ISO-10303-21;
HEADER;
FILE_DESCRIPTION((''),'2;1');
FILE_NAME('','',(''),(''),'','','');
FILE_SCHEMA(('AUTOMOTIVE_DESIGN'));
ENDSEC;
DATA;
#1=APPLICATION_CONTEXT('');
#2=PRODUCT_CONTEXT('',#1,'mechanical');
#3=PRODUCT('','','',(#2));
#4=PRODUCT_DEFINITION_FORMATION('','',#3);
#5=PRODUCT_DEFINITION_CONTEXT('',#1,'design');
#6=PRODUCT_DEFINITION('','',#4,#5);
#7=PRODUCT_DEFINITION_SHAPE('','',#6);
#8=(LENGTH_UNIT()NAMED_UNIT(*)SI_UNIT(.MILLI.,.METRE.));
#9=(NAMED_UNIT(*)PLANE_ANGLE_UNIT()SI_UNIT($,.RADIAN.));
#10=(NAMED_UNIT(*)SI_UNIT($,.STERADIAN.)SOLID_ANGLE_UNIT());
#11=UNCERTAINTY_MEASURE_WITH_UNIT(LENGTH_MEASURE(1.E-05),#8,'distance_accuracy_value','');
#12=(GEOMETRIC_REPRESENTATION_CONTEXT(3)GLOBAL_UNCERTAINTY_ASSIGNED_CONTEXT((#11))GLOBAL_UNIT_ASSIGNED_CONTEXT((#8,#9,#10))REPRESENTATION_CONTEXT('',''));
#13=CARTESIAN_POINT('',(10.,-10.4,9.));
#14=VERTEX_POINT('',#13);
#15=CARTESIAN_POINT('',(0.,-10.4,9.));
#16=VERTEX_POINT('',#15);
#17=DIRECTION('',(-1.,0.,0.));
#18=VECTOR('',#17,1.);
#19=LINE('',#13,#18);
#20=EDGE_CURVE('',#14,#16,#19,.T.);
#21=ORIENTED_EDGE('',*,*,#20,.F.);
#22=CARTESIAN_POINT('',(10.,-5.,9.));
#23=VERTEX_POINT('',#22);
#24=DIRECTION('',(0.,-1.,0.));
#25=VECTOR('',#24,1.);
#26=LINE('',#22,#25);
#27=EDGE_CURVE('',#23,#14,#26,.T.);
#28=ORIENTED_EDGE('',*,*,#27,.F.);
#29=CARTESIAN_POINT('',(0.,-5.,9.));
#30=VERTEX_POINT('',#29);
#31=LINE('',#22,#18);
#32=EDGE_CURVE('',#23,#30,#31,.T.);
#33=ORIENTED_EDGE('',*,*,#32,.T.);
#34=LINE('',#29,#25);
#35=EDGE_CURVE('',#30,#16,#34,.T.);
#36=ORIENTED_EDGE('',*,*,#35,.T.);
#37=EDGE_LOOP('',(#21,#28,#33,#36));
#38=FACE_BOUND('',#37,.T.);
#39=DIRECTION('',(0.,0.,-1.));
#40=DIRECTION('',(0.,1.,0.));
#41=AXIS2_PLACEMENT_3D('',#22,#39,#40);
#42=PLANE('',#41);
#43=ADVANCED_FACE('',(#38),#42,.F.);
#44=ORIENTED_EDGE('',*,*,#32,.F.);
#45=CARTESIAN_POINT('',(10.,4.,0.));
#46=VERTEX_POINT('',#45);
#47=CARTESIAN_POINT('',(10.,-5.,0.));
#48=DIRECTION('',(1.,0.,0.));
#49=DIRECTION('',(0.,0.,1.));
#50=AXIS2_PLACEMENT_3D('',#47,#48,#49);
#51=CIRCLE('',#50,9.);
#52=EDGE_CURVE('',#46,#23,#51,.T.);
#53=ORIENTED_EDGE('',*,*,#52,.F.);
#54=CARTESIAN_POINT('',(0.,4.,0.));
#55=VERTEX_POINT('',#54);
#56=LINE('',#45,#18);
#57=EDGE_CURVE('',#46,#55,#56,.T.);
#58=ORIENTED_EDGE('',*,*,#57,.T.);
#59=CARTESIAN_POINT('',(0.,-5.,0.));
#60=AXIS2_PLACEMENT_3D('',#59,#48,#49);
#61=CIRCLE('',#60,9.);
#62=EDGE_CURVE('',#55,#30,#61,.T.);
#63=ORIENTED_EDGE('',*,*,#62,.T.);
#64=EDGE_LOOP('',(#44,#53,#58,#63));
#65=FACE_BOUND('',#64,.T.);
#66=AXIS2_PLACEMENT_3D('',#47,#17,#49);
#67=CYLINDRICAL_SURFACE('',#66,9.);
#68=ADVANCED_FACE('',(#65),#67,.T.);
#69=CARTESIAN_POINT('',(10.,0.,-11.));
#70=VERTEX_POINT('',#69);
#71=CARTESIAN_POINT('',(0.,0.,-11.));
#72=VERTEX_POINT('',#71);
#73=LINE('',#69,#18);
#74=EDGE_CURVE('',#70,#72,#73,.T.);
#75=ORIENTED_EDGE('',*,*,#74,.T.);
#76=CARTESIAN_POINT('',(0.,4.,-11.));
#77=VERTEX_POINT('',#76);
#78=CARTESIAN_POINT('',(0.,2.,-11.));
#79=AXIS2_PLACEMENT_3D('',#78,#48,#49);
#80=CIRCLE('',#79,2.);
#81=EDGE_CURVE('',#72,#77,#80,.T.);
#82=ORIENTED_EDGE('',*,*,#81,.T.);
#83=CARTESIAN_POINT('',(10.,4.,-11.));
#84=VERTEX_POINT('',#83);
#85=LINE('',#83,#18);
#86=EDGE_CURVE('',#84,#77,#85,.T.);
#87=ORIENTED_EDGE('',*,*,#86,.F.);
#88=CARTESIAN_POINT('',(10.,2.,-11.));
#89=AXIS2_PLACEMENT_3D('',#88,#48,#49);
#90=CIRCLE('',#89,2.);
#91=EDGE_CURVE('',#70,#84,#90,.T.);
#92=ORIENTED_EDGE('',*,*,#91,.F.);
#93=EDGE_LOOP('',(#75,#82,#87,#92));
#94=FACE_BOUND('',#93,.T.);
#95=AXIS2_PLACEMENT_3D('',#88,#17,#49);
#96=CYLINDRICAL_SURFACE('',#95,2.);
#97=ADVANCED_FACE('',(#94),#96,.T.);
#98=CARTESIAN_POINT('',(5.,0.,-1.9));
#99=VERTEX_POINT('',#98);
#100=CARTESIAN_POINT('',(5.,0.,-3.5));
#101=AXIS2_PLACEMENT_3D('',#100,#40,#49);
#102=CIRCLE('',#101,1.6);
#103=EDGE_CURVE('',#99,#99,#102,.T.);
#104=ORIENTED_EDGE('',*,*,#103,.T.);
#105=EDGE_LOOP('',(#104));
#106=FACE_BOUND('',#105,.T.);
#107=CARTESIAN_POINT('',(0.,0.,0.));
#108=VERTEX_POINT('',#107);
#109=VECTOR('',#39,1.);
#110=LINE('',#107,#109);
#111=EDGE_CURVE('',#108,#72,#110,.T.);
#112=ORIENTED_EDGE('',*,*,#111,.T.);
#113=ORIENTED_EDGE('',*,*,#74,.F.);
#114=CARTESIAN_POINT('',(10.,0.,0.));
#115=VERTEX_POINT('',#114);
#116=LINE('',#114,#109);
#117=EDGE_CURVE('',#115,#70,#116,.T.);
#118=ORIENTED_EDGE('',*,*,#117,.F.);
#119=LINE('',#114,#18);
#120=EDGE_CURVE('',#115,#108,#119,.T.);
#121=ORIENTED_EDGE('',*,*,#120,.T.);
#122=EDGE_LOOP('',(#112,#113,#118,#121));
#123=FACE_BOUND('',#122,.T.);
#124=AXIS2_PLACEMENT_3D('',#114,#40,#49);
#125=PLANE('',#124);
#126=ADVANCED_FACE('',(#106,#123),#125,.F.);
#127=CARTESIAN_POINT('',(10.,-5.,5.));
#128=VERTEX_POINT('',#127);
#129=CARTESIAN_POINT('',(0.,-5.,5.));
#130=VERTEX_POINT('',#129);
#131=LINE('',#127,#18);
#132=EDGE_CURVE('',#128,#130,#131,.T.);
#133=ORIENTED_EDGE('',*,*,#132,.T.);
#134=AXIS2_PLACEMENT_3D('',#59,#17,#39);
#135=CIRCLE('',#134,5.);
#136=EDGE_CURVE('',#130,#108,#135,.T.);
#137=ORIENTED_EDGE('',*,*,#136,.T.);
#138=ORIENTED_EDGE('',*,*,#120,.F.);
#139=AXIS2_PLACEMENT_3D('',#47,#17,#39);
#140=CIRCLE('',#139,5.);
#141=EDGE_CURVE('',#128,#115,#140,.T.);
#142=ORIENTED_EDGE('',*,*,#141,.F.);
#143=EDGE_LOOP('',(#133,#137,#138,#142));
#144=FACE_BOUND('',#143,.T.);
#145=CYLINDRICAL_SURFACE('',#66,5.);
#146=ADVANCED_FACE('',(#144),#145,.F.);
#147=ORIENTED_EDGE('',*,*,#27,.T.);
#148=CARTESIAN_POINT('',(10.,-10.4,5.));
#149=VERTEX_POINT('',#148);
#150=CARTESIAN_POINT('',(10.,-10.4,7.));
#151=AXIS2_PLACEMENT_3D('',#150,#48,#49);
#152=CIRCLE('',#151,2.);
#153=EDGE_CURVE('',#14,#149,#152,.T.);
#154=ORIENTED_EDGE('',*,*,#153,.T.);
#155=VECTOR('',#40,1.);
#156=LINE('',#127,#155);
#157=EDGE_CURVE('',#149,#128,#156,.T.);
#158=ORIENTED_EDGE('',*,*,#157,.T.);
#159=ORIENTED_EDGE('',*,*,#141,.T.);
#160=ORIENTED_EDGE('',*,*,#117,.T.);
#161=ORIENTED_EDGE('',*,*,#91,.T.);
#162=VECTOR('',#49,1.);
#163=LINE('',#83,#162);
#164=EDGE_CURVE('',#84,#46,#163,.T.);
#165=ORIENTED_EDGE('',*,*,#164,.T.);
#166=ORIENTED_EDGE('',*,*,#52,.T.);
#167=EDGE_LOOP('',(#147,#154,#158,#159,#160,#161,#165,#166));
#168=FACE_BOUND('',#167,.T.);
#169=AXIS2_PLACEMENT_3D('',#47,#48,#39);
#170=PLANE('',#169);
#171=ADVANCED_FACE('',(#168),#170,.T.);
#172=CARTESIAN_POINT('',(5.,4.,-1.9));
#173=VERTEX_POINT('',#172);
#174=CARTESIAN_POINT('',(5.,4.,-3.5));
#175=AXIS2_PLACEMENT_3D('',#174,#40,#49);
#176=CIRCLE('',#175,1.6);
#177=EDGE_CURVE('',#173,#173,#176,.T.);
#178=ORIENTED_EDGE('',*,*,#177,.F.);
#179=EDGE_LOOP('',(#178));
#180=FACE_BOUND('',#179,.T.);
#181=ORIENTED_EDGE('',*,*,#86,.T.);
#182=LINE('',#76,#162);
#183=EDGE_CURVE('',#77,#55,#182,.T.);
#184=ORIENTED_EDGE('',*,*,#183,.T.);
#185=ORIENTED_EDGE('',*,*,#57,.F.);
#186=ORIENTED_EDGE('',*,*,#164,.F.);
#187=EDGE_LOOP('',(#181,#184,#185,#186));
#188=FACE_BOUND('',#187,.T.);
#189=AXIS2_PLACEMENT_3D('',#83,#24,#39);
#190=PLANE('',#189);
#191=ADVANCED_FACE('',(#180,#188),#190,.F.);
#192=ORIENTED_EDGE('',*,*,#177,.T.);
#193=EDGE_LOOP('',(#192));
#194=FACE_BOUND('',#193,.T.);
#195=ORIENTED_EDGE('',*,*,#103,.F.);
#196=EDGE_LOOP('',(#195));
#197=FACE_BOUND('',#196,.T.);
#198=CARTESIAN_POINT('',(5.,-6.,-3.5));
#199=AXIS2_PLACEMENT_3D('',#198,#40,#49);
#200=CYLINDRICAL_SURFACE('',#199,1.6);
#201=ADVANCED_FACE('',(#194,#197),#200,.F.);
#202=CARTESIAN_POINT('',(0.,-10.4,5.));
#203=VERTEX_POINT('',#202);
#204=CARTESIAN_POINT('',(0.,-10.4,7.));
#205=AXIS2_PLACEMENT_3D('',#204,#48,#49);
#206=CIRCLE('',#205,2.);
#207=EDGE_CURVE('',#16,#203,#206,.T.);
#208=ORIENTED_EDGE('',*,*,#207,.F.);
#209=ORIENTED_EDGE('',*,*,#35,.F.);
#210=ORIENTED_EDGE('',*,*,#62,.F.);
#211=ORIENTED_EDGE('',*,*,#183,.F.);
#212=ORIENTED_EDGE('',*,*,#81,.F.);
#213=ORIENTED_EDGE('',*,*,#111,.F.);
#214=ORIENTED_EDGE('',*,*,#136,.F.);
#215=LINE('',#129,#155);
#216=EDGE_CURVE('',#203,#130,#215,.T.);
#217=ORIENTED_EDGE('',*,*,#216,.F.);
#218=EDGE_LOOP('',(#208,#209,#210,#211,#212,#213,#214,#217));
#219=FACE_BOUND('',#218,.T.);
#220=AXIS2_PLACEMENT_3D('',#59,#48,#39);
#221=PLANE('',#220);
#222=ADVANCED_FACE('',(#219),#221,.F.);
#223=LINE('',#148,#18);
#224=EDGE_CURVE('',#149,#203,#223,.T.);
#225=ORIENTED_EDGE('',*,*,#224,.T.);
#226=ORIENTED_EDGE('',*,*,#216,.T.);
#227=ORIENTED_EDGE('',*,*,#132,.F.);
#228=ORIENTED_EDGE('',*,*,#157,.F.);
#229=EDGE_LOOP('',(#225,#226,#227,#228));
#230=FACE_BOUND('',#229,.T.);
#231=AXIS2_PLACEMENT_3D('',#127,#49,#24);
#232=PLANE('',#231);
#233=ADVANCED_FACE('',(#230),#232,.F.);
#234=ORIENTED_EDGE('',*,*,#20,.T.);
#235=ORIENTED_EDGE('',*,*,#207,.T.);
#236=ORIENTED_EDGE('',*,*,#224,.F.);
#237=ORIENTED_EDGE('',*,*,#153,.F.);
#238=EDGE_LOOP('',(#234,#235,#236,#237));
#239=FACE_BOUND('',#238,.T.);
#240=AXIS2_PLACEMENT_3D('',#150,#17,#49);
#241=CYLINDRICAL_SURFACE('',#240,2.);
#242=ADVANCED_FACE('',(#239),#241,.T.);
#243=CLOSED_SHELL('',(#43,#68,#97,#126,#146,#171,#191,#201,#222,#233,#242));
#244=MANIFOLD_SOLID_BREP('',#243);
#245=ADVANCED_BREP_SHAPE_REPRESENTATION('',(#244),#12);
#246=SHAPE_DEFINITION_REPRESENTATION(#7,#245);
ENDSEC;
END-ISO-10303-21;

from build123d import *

# Parameters (mm, degrees)
BOSS_EXTRUDE1_DEPTH = 10
SKETCH2_R           = 1.6
CUT_EXTRUDE1_DEPTH  = 10


with BuildPart() as part:
    # Sketch1 → Boss-Extrude1 (new body)
    with BuildSketch(Plane(origin=(0, 0, 0), x_dir=(0, 0, -1), z_dir=(1, 0, 0))):
        with BuildLine():
            Line((0, 0), (11, 0))
            ThreePointArc((11, 0), (13, 2), (11, 4))
            Line((11, 4), (0, 4))
            ThreePointArc((0, 4), (-6.363961031, 1.363961031), (-9, -5))
            Line((-9, -5), (-9, -10.4))
            ThreePointArc((-9, -10.4), (-7, -12.4), (-5, -10.4))
            Line((-5, -10.4), (-5, -5))
            ThreePointArc((-5, -5), (-3.535533906, -1.464466094), (0, 0))
        make_face()
    extrude(amount=BOSS_EXTRUDE1_DEPTH)

    # Sketch2 → Cut-Extrude1 (cut)
    with BuildSketch(Plane(origin=(0, 4, 0), x_dir=(1, 0, 0), z_dir=(0, 1, 0))):
        with Locations(Location((5, 3.5, 0), (0, 0, 270))):  # turned: the seam where the file's is
            Circle(SKETCH2_R)
    extrude(amount=-CUT_EXTRUDE1_DEPTH, mode=Mode.SUBTRACT)


solid = part.part
